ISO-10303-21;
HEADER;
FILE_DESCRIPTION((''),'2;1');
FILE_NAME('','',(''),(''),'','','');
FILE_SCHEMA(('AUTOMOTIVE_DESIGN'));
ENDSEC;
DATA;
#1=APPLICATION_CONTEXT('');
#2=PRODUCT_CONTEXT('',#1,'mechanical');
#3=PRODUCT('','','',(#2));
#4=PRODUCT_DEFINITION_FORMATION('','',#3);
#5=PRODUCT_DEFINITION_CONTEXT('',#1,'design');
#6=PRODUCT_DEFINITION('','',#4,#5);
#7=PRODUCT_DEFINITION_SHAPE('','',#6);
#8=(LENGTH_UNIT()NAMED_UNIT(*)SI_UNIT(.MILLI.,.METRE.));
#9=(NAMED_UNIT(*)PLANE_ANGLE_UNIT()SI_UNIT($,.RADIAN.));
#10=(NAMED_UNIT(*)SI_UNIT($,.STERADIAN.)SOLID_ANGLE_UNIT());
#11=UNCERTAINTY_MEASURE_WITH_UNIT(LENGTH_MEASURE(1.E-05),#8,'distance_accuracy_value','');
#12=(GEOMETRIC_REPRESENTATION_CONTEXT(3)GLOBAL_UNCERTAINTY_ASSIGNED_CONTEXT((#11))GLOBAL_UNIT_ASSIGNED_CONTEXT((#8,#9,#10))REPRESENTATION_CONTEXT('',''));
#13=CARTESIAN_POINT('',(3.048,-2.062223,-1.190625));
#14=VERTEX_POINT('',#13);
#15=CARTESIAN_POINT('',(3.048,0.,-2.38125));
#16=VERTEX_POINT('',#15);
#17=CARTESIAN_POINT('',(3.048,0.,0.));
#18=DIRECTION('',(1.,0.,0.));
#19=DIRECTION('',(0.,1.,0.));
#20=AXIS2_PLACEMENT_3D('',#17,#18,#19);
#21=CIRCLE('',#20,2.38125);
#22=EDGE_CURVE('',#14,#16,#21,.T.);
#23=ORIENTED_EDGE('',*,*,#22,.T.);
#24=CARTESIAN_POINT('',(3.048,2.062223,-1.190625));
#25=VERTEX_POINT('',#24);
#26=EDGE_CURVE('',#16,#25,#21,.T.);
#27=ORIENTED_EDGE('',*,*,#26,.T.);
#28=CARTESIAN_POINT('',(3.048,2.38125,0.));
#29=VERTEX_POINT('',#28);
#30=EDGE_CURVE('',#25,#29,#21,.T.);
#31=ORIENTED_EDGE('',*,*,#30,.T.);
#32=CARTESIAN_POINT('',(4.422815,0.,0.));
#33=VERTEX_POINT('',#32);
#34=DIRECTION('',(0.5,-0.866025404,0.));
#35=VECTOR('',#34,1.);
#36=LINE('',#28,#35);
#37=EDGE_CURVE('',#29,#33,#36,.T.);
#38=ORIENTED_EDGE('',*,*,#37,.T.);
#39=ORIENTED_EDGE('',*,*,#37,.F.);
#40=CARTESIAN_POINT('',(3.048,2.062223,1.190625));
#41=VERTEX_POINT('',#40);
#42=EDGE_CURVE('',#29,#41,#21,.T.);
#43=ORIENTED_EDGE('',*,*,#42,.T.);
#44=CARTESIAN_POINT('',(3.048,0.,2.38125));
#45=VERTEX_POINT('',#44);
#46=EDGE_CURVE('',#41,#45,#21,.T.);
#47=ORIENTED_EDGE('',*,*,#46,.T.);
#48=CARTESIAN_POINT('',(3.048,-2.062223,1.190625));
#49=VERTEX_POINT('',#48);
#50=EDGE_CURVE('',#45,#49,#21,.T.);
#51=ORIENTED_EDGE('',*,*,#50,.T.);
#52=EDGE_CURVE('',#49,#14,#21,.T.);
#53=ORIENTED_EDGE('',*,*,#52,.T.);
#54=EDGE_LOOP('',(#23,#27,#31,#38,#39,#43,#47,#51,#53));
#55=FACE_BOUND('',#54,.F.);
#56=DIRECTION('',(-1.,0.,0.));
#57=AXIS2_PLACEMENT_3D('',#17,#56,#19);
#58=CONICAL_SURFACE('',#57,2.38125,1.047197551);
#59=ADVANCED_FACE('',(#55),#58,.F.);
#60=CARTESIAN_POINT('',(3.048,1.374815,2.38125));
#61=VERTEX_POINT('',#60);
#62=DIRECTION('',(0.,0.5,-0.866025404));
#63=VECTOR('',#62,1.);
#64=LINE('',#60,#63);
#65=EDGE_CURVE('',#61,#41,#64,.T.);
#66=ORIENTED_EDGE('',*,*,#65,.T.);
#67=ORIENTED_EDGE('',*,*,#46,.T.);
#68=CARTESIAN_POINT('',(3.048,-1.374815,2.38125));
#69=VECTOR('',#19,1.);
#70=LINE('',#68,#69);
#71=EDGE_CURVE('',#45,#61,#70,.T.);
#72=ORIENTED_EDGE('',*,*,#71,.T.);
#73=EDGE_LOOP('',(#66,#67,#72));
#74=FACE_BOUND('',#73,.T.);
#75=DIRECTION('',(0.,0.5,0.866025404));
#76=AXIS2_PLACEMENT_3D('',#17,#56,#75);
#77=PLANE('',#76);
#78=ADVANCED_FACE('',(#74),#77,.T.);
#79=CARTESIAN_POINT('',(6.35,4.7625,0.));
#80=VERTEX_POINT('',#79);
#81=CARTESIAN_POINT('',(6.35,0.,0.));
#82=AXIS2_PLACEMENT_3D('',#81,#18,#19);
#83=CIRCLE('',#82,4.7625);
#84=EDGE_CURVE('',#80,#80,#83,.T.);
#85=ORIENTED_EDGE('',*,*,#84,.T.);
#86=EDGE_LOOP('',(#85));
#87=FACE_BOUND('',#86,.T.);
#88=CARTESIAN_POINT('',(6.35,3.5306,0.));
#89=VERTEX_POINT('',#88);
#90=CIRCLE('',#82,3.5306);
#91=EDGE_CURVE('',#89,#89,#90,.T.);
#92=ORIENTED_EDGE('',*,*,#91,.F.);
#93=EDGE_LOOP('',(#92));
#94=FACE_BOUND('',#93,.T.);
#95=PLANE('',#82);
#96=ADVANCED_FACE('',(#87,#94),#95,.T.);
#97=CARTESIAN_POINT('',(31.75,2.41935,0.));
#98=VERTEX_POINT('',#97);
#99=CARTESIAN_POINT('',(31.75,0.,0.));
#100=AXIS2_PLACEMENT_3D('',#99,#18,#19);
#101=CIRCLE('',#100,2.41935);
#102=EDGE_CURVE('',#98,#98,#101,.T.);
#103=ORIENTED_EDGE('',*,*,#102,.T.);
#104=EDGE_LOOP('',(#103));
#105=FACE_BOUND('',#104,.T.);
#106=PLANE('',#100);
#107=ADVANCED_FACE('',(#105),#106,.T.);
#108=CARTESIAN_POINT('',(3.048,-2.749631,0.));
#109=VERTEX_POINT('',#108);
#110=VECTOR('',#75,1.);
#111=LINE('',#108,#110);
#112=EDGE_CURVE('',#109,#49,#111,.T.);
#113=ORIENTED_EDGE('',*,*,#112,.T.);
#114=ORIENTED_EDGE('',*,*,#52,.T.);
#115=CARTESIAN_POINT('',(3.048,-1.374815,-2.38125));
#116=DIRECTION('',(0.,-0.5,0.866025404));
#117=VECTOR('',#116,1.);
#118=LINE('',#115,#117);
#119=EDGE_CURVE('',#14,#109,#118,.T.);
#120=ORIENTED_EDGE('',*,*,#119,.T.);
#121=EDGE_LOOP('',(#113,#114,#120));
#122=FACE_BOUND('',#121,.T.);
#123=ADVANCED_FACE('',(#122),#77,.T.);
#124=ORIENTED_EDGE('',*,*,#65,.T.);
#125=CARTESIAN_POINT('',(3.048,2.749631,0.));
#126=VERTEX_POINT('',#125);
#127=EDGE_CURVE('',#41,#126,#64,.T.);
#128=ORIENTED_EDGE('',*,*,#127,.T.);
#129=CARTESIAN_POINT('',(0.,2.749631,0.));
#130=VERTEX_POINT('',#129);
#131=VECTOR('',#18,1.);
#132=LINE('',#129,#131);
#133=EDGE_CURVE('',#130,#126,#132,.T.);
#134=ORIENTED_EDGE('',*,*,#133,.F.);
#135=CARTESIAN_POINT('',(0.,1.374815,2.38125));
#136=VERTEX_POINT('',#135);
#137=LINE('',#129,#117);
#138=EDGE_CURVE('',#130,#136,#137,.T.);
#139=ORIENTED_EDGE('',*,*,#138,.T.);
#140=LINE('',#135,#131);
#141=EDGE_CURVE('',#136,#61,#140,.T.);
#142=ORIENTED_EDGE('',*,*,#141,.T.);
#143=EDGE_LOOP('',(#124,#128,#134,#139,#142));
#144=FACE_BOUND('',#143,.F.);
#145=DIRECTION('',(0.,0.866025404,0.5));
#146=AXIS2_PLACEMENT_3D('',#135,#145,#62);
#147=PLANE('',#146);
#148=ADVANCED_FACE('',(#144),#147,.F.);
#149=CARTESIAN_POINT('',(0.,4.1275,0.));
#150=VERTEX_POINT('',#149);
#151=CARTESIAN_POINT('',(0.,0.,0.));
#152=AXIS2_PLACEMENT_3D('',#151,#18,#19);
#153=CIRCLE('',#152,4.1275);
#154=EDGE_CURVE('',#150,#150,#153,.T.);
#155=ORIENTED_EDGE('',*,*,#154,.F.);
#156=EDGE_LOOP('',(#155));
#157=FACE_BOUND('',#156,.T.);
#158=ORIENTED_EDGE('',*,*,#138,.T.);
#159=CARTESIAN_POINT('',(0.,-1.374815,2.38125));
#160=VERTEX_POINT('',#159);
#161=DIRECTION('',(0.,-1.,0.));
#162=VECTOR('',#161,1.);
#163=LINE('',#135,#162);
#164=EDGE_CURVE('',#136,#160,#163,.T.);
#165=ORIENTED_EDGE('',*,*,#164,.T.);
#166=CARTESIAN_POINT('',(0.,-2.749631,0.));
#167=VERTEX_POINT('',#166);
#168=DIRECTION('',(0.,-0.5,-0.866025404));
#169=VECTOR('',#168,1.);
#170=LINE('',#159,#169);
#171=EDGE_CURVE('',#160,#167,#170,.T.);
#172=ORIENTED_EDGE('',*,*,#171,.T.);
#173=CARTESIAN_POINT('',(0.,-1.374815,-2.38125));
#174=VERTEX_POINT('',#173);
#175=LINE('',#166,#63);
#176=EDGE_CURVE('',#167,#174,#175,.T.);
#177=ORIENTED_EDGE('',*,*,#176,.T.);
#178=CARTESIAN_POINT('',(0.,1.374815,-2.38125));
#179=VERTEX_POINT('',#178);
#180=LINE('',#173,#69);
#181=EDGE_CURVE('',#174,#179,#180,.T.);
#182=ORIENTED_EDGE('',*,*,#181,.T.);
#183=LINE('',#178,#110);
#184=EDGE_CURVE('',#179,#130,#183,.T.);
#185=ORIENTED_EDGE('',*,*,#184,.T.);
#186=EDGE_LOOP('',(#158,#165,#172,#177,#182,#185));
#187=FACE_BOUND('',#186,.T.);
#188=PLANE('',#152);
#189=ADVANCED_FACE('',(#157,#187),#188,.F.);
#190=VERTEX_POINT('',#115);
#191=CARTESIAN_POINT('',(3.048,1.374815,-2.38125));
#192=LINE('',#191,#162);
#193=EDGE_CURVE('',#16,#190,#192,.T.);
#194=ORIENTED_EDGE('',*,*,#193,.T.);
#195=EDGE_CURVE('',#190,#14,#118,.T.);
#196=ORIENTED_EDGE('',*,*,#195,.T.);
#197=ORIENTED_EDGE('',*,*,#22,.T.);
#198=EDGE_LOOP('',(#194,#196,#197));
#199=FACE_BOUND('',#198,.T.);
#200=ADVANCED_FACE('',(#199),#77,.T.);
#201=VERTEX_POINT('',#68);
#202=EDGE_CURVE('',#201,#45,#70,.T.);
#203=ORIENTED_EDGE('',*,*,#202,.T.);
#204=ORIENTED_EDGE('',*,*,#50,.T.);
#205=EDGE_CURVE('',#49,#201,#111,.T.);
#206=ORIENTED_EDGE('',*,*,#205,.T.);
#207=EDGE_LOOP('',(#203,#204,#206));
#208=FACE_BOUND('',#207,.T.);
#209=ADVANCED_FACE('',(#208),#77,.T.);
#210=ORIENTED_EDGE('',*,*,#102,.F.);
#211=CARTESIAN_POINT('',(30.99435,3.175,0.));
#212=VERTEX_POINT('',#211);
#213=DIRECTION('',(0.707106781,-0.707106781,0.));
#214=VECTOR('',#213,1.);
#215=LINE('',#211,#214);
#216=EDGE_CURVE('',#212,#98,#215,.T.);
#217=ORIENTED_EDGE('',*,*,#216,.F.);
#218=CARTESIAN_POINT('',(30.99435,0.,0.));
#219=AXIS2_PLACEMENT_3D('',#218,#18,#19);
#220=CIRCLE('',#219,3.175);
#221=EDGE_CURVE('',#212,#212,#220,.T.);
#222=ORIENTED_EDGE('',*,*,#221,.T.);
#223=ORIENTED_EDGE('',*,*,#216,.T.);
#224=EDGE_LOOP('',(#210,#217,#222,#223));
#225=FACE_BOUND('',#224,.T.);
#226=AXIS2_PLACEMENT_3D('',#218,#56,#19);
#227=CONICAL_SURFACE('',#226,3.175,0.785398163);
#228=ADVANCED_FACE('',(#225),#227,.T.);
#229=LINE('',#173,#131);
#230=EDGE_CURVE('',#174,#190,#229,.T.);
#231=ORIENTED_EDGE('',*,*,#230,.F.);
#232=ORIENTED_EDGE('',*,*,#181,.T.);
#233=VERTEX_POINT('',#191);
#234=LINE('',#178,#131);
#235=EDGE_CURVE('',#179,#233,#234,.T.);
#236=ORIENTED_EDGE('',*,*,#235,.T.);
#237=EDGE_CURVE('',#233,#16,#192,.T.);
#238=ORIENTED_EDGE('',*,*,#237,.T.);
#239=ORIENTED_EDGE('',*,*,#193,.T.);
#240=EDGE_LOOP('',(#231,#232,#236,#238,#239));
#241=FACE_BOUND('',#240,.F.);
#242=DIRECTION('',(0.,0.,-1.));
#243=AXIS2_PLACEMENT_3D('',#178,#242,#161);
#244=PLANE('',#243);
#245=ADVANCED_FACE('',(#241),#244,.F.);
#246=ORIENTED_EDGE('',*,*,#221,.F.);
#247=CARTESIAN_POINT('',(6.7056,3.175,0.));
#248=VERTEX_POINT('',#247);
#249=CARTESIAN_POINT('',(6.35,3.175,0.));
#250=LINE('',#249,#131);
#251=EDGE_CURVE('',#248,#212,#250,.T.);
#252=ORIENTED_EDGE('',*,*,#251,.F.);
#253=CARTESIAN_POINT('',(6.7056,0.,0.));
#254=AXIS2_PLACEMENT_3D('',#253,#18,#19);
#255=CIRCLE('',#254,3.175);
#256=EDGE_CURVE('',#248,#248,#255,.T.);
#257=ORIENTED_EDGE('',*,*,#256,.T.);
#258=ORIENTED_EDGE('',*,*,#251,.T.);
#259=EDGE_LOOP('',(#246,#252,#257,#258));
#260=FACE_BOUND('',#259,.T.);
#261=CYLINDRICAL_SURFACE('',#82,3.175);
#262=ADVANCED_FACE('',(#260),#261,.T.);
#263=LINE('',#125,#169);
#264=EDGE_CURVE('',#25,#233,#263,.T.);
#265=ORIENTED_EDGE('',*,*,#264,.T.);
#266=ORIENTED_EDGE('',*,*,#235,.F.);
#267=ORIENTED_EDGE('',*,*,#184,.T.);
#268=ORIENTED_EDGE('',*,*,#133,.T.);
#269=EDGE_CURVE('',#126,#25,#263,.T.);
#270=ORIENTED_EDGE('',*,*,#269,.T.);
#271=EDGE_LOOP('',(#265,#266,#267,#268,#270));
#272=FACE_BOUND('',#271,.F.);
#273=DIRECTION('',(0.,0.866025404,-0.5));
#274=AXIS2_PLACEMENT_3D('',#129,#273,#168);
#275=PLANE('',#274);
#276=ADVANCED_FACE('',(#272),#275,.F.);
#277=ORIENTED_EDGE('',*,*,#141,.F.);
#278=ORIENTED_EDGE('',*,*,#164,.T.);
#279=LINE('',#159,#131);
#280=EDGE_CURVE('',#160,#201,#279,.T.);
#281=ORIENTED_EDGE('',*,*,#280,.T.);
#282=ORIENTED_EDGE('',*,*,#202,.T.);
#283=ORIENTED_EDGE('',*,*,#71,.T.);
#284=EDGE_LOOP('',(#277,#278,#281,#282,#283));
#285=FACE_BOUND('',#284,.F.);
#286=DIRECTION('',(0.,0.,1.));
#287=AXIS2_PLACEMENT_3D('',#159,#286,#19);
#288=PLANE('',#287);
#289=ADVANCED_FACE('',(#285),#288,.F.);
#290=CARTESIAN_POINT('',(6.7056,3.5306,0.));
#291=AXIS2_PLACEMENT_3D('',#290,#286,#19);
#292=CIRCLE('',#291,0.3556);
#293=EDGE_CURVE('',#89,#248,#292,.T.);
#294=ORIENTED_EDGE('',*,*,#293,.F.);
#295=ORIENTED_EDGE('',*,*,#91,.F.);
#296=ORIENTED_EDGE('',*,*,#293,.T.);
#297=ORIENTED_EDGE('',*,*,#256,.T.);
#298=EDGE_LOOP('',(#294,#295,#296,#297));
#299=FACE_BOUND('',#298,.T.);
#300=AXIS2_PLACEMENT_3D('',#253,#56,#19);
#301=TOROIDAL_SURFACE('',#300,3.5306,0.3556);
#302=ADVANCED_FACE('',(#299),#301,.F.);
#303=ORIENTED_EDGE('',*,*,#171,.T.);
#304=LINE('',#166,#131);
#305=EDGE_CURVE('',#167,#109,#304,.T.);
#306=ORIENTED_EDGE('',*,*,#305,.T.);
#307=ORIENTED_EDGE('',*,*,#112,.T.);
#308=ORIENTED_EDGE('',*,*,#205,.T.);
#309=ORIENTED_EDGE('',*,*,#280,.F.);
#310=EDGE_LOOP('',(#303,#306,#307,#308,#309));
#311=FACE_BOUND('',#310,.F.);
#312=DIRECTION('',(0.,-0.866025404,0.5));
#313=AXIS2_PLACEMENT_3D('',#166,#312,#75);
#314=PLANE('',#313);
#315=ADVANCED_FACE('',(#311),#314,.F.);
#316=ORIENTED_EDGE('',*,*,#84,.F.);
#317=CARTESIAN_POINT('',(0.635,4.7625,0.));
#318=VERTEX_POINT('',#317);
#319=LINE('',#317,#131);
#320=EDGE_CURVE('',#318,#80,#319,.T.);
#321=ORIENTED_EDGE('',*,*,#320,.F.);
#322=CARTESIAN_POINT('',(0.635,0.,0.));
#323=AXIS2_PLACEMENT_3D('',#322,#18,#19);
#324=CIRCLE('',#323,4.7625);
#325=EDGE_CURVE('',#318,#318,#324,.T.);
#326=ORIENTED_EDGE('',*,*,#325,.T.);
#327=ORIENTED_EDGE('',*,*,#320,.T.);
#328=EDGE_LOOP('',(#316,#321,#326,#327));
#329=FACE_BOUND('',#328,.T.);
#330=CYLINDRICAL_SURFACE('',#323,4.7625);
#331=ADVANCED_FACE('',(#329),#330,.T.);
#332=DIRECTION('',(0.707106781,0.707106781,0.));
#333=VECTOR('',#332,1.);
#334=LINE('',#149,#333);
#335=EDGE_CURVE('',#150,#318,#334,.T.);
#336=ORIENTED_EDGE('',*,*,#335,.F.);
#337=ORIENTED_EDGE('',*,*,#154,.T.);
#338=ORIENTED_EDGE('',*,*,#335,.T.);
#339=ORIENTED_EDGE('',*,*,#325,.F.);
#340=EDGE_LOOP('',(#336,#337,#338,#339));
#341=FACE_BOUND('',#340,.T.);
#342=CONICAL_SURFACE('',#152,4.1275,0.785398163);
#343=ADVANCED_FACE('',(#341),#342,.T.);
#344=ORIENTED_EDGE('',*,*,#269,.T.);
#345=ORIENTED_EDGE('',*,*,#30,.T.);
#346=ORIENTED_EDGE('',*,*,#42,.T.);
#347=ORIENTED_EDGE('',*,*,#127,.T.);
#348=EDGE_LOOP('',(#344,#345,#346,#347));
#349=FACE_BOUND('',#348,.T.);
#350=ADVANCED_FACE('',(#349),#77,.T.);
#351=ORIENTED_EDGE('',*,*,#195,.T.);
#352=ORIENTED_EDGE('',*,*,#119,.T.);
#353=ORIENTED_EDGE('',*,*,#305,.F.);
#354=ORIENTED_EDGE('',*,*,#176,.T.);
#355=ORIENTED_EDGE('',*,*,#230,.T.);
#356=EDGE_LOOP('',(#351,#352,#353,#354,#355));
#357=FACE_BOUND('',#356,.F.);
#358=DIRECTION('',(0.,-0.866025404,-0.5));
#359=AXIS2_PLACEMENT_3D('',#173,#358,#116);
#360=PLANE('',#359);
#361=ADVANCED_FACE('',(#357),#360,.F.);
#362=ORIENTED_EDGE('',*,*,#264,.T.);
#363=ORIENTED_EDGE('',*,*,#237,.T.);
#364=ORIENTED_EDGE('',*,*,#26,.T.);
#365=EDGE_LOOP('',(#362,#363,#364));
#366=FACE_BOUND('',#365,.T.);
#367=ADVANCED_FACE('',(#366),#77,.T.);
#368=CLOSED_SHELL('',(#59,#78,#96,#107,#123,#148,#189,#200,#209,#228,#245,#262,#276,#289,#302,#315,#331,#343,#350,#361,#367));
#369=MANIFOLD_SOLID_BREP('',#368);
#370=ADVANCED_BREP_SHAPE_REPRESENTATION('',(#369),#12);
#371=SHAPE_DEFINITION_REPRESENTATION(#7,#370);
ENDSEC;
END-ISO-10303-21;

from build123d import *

# Parameters (mm, degrees)
FILLET1_R   = 0.3556
HEX_2_DEPTH = 3.048


with BuildPart() as part:
    # BodySke → Base-Revolve (revolve)
    with BuildSketch(Plane.XY):
        Polygon((0, 0), (0, 4.1275), (0.635, 4.7625), (6.35, 4.7625), (6.35, 3.175), (30.99435, 3.175), (31.75, 2.41935), (31.75, 0), align=None)
    revolve(axis=Axis((-31.75, 0, 0), (1, 0, 0)))

    # Fillet1
    fillet1_edges = [part.edges().sort_by_distance(p)[0] for p in [
        (6.35, -3.175, 0),
    ]]
    fillet(fillet1_edges, radius=FILLET1_R)

    # Sketch2 → Hex-PreBroach (revolve, cut)
    with BuildSketch(Plane.XY):
        Polygon((0, 2.38125), (3.048, 2.38125), (4.422815329, 0), (0, 0), align=None)
    revolve(axis=Axis((0, 0, 0), (1, 0, 0)), mode=Mode.SUBTRACT)

    # Sketch3 → Hex 2 (cut)
    with BuildSketch(Plane(origin=(0, 0, 0), x_dir=(0, 0.5, 0.866025404), z_dir=(-1, 0, 0))):
        Polygon((1.374815329, 2.38125), (-1.374815329, 2.38125), (-2.749630657, 0), (-1.374815329, -2.38125), (1.374815329, -2.38125), (2.749630657, 0), align=None)
    extrude(amount=-HEX_2_DEPTH, mode=Mode.SUBTRACT)


solid = part.part
